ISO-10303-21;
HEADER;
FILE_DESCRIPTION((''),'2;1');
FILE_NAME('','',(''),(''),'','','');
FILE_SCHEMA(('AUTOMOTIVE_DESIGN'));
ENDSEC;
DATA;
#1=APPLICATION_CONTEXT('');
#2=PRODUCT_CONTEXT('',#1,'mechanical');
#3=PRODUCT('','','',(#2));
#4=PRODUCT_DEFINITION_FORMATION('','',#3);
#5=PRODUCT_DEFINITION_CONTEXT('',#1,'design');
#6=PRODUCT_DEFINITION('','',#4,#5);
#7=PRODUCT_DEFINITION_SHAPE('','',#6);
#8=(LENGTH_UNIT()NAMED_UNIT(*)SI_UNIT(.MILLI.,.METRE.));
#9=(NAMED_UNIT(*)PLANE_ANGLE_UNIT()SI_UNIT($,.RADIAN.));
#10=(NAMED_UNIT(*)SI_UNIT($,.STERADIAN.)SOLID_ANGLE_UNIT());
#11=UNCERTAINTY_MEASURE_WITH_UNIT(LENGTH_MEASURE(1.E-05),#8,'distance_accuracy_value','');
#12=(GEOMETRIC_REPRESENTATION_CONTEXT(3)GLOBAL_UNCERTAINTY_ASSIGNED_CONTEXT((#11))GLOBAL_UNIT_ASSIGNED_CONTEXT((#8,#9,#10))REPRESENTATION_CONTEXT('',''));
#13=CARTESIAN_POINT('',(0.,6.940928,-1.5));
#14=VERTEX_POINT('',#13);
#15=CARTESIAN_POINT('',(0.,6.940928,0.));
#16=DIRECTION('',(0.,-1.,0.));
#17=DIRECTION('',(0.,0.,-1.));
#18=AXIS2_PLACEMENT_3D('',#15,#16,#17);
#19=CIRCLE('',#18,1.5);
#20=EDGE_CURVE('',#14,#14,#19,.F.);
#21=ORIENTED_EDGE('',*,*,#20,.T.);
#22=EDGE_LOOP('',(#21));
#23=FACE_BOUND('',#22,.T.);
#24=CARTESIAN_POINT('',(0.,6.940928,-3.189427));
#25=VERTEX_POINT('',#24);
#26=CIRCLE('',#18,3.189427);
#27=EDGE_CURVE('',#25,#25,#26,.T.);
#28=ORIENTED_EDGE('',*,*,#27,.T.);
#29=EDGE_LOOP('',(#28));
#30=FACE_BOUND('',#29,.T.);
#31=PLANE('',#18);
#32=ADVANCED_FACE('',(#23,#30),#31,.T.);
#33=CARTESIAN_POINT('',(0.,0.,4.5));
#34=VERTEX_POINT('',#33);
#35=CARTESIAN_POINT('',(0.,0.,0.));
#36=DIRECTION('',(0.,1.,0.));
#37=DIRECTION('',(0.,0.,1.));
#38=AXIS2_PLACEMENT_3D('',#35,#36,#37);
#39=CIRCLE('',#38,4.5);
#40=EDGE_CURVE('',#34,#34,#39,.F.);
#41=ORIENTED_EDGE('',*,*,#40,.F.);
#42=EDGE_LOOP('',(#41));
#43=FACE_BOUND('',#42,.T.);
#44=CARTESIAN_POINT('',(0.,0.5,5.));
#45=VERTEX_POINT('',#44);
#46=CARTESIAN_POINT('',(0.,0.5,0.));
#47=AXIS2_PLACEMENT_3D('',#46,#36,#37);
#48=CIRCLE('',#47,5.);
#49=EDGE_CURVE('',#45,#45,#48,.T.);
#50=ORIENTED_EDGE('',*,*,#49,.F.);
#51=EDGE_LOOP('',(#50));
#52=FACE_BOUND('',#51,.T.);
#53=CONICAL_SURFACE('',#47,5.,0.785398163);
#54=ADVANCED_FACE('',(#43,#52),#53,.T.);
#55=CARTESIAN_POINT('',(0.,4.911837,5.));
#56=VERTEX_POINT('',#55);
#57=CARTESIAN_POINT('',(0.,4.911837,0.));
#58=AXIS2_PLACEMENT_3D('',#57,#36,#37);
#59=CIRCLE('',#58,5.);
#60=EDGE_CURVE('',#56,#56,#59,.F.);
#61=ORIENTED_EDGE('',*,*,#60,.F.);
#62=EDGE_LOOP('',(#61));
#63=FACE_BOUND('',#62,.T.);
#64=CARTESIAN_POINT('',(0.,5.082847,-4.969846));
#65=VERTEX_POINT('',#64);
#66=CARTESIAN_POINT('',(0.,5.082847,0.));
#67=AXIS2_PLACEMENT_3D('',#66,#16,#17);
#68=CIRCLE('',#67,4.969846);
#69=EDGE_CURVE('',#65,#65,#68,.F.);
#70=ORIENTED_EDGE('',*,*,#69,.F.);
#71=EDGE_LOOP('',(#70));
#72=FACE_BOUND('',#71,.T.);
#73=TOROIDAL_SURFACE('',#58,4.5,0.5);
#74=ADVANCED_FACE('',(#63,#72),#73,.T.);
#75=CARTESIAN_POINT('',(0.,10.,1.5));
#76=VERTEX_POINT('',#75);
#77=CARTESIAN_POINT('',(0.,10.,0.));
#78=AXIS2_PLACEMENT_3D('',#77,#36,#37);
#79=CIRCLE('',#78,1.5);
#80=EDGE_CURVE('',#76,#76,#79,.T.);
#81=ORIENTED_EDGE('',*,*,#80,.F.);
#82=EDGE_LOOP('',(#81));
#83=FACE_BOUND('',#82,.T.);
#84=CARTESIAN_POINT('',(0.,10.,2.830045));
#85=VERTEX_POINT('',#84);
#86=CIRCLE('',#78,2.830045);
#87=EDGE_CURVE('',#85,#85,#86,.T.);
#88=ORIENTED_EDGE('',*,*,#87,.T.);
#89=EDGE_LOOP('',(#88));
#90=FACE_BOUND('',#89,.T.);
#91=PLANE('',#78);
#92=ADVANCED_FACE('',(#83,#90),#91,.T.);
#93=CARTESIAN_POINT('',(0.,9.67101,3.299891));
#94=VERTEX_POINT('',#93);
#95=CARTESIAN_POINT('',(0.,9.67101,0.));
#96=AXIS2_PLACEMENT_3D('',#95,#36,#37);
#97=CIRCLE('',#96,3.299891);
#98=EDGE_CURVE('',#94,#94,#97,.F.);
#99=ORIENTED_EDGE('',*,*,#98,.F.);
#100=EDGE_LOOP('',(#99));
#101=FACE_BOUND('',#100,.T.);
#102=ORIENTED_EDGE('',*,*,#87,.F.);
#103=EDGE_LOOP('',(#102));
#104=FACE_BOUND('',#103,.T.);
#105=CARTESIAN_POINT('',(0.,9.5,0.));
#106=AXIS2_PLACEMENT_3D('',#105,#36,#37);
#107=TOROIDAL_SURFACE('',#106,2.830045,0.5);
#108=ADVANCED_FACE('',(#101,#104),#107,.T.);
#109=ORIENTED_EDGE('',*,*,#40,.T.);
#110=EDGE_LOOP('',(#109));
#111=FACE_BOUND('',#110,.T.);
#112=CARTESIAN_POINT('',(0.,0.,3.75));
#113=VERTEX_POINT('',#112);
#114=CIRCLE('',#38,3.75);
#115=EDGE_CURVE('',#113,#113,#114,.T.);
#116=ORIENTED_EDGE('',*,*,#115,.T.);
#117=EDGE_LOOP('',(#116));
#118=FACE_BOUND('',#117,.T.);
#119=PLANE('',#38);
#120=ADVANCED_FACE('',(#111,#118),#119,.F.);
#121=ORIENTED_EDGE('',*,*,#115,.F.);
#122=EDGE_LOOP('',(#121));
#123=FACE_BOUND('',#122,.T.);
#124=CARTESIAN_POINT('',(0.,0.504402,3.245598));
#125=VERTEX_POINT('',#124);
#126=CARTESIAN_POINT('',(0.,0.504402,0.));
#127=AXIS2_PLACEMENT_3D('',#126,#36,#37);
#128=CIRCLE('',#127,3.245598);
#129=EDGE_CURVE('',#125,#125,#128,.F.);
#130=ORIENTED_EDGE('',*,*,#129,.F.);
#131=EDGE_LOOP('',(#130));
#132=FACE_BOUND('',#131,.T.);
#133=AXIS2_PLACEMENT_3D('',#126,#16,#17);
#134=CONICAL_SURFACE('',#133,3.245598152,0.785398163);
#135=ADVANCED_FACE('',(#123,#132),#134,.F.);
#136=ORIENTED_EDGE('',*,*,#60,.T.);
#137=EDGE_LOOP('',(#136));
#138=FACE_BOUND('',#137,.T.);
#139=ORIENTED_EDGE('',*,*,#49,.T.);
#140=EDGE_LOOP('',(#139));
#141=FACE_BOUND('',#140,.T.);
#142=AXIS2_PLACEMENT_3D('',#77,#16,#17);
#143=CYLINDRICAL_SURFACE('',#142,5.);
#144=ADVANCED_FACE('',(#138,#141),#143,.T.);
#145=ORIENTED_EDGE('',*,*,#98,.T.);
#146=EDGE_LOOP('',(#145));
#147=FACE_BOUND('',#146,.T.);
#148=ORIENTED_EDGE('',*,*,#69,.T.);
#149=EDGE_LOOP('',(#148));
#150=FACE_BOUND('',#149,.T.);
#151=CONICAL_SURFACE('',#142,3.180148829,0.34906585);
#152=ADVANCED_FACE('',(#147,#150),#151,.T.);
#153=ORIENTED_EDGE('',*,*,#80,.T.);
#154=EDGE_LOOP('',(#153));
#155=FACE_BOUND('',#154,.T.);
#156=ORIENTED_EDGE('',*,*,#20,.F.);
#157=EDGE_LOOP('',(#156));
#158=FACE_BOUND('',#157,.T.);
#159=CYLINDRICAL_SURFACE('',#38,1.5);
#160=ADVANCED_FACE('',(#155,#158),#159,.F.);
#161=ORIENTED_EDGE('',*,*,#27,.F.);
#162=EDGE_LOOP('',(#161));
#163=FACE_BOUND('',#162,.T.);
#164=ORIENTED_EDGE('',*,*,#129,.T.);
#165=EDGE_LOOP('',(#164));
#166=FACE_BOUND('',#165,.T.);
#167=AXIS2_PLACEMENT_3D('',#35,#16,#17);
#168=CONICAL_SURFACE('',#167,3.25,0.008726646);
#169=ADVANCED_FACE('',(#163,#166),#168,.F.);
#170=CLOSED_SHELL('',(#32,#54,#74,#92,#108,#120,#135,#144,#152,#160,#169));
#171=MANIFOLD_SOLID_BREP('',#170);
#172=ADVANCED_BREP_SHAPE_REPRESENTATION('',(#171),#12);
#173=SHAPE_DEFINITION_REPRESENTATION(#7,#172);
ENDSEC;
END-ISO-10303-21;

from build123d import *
from OCP.BRepFilletAPI import BRepFilletAPI_MakeChamfer

# Parameters (mm, degrees)
SKETCH1_R           = 5
BOSS_EXTRUDE1_DEPTH = 10
SKETCH2_R           = 1.5
CUT_EXTRUDE1_DEPTH  = 13.247448714
CHAMFER1_SIZE       = 5
CHAMFER1_SIZE2      = 1.819851171
SKETCH3_R           = 3.25
CUT_EXTRUDE2_DEPTH  = 6.940927836
CUT_EXTRUDE2_DRAFT  = -0.5
CHAMFER2_SIZE       = 0.5
CHAMFER2_SIZE2      = 0.504421055
FILLET1_R           = 0.5


with BuildPart() as part:
    # Sketch1 → Boss-Extrude1 (new body)
    with BuildSketch(Plane(origin=(0, 0, 0), x_dir=(1, 0, 0), z_dir=(0, 1, 0))):
        with Locations(Location((0, 0, 0), (0, 0, 270))):
            Circle(SKETCH1_R)
    extrude(amount=BOSS_EXTRUDE1_DEPTH)

    # Sketch2 → Cut-Extrude1 (cut, through all)
    with BuildSketch(Plane(origin=(0, 10, 0), x_dir=(1, 0, 0), z_dir=(0, 1, 0))):
        with Locations(Location((0, 0, 0), (0, 0, 270))):
            Circle(SKETCH2_R)
    extrude(amount=-CUT_EXTRUDE1_DEPTH, mode=Mode.SUBTRACT)

    # Chamfer1
    chamfer1_edges = [part.edges().sort_by_distance(p)[0] for p in [
        (0, 10, -5),
    ]]
    chamfer1_side = [part.faces().sort_by_distance(p)[0] for p in [
        (0, 5, -5),
    ]]
    chamfer(chamfer1_edges, length=CHAMFER1_SIZE, length2=CHAMFER1_SIZE2, reference=chamfer1_side[0])


with BuildPart() as cut_extrude2_tool:
    # Sketch3 → Cut-Extrude2 (with draft: the straight prism first)
    with BuildSketch(Plane.XZ):
        Circle(SKETCH3_R)
    extrude(amount=-CUT_EXTRUDE2_DEPTH)
    # Cut-Extrude2: the draft: its side faces are tilted about the plane it starts from
    cut_extrude2_sides = [cut_extrude2_tool.faces().sort_by_distance(p)[0] for p in [
        (-3.25, 3.470463918, 0),
    ]]
    draft(cut_extrude2_sides, Plane.XZ, CUT_EXTRUDE2_DRAFT)


with BuildPart() as part_1:
    add(part.part)

    # Cut-Extrude2: cut by cut_extrude2_tool
    add(cut_extrude2_tool.part, mode=Mode.SUBTRACT)

    # Chamfer2: one chamfer whose edges measure the first distance from different faces: ONE call of the kernel's chamfer builder (chamfer() names one face for all edges)
    chamfer2_edges_1 = [part_1.edges().sort_by_distance(p)[0] for p in [
        (-3.25, 0, 0),
    ]]
    chamfer2_side_1 = [part_1.faces().sort_by_distance(p)[0] for p in [
        (0, 0, -4.858578644),
    ]]
    chamfer2_edges_2 = [part_1.edges().sort_by_distance(p)[0] for p in [
        (0, 0, -5),
    ]]
    chamfer2 = BRepFilletAPI_MakeChamfer(part_1.part.solid().wrapped)
    for e in chamfer2_edges_1:
        chamfer2.Add(CHAMFER2_SIZE, CHAMFER2_SIZE2, e.wrapped, chamfer2_side_1[0].wrapped)  # the first distance lies on this face
    for e in chamfer2_edges_2:
        chamfer2.Add(CHAMFER2_SIZE, e.wrapped)
    add(Compound.cast(chamfer2.Shape()), mode=Mode.REPLACE)

    # Fillet1
    fillet1_edges = [part_1.edges().sort_by_distance(p)[0] for p in [
        (0, 5, -5),
        (0, 10, -3.180148829),
    ]]
    fillet(fillet1_edges, radius=FILLET1_R)


solid = part_1.part
